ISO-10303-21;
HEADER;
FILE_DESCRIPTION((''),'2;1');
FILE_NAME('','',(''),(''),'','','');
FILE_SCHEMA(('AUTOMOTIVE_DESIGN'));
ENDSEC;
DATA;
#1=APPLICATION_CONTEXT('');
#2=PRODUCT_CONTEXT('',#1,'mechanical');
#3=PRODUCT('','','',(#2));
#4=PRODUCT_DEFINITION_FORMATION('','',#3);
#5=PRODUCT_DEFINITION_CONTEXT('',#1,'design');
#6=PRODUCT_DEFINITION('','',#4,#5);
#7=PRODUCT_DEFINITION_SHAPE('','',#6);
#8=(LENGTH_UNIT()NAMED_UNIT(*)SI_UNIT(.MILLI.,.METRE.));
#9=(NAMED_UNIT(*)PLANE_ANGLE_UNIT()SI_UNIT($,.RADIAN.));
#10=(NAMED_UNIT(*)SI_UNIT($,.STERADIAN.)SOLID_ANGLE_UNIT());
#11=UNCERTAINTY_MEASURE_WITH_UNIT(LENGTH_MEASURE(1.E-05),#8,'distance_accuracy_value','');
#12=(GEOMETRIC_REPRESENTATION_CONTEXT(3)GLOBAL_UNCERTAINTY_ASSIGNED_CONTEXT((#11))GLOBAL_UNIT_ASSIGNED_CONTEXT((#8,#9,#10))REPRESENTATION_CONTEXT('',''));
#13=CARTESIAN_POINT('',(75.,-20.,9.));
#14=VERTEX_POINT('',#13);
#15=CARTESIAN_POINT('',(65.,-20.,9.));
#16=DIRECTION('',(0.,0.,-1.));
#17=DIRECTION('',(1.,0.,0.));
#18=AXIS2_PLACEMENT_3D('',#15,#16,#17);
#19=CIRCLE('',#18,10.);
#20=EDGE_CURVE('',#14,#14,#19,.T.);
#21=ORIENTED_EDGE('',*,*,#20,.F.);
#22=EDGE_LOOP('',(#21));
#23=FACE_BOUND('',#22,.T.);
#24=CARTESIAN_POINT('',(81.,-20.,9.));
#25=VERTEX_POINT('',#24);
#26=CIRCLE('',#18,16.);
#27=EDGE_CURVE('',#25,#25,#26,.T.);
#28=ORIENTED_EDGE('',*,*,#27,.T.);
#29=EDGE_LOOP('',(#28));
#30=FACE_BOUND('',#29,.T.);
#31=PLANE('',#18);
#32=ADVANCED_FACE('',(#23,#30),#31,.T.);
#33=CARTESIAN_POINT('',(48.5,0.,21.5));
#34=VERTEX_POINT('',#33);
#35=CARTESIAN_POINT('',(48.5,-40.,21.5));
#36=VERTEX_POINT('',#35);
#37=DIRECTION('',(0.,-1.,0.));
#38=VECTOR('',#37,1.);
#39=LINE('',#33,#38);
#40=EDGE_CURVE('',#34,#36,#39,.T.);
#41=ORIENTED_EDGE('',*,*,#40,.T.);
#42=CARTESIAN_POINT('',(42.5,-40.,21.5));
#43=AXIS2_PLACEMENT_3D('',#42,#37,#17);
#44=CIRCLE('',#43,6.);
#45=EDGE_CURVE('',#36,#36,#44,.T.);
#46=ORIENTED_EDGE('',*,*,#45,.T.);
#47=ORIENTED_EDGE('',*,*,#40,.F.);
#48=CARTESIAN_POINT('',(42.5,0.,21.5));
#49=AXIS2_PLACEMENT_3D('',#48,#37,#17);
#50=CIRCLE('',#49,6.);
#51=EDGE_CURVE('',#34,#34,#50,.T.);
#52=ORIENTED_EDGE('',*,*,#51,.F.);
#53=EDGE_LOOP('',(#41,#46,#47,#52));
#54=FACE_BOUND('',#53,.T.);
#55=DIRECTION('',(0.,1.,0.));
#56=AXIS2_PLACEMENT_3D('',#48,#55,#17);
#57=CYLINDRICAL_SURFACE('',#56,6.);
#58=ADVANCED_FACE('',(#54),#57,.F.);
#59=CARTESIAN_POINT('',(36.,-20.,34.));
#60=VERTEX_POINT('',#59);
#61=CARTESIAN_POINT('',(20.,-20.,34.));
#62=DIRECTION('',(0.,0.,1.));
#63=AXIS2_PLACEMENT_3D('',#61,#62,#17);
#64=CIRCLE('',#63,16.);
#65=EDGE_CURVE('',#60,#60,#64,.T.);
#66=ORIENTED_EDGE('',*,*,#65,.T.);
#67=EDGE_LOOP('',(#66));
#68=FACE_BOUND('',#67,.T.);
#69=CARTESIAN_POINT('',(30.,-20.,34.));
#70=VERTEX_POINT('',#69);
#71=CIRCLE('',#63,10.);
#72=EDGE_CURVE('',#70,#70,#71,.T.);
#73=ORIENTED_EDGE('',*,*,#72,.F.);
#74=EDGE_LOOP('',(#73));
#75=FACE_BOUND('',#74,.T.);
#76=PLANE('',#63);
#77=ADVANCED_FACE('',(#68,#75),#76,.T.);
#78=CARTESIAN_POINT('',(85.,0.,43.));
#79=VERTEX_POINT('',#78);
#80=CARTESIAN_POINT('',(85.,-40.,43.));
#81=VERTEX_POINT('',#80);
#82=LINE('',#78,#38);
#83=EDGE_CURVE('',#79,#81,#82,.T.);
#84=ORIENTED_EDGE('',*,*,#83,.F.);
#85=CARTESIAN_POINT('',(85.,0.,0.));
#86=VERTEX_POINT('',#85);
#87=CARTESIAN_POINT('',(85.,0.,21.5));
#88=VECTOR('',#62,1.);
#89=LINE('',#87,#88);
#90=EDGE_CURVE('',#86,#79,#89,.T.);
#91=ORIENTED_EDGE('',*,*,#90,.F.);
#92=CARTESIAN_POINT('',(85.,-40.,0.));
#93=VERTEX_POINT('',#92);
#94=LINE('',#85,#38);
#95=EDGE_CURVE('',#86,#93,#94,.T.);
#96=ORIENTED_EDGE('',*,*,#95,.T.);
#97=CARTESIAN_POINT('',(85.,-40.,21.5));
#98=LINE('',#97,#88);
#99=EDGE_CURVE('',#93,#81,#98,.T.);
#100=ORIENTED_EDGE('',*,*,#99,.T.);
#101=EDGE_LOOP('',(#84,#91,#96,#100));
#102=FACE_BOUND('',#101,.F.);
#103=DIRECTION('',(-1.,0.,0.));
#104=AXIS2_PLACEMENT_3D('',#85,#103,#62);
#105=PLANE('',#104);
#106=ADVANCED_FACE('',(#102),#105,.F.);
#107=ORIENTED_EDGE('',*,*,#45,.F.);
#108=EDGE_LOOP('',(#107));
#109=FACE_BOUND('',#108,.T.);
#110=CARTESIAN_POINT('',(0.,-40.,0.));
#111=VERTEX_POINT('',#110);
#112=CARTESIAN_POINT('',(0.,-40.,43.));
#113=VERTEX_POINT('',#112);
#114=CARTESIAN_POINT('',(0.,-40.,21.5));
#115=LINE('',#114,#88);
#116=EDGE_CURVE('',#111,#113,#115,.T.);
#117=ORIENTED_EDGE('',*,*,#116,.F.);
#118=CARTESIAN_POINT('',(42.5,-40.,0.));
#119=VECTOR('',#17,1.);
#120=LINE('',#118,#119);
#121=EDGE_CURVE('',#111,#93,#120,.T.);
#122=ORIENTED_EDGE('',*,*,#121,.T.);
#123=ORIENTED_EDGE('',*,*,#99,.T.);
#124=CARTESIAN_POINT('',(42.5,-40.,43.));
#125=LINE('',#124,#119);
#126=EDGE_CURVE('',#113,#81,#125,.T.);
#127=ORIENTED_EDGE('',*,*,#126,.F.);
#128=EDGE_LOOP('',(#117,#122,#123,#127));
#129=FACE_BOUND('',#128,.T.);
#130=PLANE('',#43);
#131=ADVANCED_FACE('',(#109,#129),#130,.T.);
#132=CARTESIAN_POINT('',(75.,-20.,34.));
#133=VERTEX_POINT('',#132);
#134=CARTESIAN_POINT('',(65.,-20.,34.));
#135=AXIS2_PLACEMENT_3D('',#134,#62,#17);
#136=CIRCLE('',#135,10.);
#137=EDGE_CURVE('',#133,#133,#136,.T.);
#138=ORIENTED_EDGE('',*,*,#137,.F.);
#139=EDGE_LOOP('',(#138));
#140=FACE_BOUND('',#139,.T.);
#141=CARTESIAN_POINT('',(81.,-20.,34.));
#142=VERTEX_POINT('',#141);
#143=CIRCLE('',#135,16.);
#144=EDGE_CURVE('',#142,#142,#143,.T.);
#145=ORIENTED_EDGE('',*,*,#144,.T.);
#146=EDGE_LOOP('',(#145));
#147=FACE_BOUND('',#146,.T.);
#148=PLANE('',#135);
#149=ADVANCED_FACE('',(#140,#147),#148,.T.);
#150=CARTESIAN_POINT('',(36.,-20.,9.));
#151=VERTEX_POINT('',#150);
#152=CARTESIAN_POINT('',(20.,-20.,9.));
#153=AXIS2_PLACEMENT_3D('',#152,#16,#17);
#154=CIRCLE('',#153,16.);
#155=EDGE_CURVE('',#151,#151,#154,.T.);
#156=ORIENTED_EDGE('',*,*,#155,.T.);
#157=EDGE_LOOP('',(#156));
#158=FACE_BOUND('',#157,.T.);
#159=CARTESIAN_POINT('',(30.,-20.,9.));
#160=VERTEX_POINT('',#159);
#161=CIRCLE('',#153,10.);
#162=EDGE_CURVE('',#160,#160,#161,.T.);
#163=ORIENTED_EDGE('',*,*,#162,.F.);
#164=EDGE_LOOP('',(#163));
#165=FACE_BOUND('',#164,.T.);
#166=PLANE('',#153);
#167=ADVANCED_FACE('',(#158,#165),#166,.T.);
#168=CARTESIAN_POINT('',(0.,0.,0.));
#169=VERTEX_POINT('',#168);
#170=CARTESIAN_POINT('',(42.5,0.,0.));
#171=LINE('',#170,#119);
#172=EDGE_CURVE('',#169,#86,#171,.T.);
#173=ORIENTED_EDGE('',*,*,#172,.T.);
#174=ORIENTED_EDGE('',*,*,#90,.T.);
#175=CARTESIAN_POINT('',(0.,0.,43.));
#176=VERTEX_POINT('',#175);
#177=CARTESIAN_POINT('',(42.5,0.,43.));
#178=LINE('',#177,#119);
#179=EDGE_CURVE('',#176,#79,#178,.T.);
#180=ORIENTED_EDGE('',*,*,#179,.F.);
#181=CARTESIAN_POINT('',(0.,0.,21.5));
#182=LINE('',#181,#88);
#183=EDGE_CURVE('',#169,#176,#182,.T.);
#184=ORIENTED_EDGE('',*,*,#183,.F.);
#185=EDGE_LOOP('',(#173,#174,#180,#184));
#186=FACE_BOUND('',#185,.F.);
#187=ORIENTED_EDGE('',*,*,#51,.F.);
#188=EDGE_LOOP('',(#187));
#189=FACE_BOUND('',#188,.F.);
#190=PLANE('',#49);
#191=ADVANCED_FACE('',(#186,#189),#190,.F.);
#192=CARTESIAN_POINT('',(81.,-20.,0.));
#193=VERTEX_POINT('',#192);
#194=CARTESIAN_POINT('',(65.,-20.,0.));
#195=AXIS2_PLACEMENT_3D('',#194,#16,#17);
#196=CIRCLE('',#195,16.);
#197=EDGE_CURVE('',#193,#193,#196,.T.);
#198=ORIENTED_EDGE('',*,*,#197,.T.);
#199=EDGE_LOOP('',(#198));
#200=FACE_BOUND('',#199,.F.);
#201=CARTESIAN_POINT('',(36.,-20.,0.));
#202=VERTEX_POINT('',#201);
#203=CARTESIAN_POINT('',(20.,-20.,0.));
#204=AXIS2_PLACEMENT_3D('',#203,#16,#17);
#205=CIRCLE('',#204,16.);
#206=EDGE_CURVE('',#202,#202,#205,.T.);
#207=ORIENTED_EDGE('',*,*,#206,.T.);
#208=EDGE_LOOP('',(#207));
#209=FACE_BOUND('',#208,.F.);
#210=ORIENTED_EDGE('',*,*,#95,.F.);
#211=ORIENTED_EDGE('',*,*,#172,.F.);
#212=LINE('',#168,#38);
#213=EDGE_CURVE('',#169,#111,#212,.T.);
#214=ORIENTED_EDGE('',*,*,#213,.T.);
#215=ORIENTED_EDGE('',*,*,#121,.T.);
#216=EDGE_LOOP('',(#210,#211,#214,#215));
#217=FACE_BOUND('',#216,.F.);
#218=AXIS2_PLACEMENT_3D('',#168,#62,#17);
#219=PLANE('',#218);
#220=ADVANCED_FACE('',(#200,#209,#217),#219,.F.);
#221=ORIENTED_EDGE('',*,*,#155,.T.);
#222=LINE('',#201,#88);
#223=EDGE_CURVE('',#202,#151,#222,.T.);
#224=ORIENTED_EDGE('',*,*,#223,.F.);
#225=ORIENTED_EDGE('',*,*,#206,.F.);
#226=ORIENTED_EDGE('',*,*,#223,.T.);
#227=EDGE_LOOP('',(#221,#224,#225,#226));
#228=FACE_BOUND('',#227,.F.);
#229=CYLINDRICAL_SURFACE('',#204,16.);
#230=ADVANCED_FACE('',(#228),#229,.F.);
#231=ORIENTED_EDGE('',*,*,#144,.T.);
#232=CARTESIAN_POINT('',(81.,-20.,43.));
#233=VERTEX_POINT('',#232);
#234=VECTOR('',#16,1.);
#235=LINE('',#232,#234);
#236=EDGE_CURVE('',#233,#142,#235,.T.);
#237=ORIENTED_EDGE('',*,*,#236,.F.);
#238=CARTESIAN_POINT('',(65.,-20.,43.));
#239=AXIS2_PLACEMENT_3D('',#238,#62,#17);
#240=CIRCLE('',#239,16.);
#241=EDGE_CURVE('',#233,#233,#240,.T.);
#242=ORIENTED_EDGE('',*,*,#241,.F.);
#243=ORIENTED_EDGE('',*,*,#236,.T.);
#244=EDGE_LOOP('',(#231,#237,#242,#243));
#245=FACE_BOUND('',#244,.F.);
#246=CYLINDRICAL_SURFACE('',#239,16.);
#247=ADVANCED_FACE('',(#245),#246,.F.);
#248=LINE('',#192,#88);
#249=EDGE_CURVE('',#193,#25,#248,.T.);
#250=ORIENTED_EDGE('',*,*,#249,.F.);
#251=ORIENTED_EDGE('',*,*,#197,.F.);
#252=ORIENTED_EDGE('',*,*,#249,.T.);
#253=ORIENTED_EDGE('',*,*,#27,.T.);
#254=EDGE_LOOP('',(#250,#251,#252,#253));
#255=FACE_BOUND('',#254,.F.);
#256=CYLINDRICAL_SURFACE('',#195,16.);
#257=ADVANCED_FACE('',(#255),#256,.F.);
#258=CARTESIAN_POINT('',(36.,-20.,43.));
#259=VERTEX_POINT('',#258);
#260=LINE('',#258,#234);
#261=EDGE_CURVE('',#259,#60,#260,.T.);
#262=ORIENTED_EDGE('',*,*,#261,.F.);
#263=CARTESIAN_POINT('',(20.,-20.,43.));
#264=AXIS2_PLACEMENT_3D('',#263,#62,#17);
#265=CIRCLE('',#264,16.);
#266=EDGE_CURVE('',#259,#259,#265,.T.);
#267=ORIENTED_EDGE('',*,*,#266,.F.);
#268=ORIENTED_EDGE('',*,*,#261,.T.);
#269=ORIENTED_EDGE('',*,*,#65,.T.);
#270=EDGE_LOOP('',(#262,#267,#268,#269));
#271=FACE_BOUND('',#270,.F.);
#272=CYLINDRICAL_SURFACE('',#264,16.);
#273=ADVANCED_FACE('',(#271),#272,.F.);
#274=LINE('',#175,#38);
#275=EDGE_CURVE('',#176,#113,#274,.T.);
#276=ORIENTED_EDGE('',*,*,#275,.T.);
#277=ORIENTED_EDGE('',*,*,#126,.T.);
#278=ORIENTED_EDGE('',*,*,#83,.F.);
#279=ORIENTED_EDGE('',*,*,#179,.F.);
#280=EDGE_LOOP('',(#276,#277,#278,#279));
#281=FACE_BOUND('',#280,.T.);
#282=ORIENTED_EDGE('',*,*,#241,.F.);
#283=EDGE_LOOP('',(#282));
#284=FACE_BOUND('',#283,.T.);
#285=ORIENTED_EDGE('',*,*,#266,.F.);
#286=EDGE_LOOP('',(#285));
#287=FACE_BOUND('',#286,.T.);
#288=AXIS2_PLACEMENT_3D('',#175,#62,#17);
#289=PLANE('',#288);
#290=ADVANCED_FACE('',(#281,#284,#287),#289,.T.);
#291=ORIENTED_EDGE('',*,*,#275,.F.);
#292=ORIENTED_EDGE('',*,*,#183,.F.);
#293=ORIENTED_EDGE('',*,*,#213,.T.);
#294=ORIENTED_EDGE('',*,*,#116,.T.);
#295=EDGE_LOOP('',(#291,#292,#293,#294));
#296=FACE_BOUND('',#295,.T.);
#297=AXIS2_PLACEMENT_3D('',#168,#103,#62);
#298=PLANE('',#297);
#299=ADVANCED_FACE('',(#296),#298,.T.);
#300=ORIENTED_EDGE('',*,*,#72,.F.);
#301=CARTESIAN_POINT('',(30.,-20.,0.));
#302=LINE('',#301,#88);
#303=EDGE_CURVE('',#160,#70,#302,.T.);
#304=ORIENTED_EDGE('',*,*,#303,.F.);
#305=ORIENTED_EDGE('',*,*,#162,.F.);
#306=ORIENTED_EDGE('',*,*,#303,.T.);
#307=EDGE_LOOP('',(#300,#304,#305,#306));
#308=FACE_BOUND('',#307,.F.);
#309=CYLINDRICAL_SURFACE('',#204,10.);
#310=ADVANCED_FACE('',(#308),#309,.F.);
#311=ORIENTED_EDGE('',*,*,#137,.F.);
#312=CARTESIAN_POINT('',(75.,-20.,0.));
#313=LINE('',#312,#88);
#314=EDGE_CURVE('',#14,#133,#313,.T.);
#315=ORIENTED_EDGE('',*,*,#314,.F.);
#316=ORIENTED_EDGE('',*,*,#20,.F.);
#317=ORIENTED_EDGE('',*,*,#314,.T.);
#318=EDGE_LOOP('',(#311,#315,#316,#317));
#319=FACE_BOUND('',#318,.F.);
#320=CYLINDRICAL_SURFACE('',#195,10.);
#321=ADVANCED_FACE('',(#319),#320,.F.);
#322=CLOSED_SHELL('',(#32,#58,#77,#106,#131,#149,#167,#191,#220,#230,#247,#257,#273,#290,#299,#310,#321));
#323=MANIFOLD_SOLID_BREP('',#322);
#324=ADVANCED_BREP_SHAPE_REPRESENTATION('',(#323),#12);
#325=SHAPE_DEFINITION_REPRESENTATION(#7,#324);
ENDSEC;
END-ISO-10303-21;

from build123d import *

# Parameters (mm, degrees)
F0_W     = 85
F0_H     = 43
F0_R     = 6
F1_DEPTH = 40
F2_R     = 10
F3_DEPTH = 43.001
F4_R     = 16
F4_R_2   = 10
F5_DEPTH = 9
F6_R     = 16
F6_R_2   = 10
F7_DEPTH = 9


with BuildPart() as f1:
    # F0 (on Front) → F1 (new body)
    with BuildSketch(Plane.XZ):
        with Locations((42.5, 21.5)):
            Rectangle(F0_W, F0_H)
        with Locations((42.5, 21.5)):
            Circle(F0_R, mode=Mode.SUBTRACT)
    extrude(amount=F1_DEPTH)

    # F2 (on face) → F3 (cut, through all)
    with BuildSketch(Plane(origin=(0, 0, 0), x_dir=(1, 0, 0), z_dir=(0, 0, -1))):
        with Locations((20, 20)):
            Circle(F2_R)
        with Locations((65, 20)):
            Circle(F2_R)
    extrude(amount=-F3_DEPTH, mode=Mode.SUBTRACT)

    # F4 (on face) → F5 (cut)
    with BuildSketch(Plane(origin=(0, 0, 0), x_dir=(1, 0, 0), z_dir=(0, 0, -1))):
        with Locations((20, 20)):
            Circle(F4_R)
        with Locations((20, 20)):
            Circle(F4_R_2, mode=Mode.SUBTRACT)
        with Locations((65, 20)):
            Circle(F4_R)
        with Locations((65, 20)):
            Circle(F4_R_2, mode=Mode.SUBTRACT)
    extrude(amount=-F5_DEPTH, mode=Mode.SUBTRACT)

    # F6 (on face) → F7 (cut)
    with BuildSketch(Plane.XY.offset(43)):
        with Locations((20, -20)):
            Circle(F6_R)
        with Locations((20, -20)):
            Circle(F6_R_2, mode=Mode.SUBTRACT)
        with Locations((65, -20)):
            Circle(F6_R)
        with Locations((65, -20)):
            Circle(F6_R_2, mode=Mode.SUBTRACT)
    extrude(amount=-F7_DEPTH, mode=Mode.SUBTRACT)


solid = f1.part
